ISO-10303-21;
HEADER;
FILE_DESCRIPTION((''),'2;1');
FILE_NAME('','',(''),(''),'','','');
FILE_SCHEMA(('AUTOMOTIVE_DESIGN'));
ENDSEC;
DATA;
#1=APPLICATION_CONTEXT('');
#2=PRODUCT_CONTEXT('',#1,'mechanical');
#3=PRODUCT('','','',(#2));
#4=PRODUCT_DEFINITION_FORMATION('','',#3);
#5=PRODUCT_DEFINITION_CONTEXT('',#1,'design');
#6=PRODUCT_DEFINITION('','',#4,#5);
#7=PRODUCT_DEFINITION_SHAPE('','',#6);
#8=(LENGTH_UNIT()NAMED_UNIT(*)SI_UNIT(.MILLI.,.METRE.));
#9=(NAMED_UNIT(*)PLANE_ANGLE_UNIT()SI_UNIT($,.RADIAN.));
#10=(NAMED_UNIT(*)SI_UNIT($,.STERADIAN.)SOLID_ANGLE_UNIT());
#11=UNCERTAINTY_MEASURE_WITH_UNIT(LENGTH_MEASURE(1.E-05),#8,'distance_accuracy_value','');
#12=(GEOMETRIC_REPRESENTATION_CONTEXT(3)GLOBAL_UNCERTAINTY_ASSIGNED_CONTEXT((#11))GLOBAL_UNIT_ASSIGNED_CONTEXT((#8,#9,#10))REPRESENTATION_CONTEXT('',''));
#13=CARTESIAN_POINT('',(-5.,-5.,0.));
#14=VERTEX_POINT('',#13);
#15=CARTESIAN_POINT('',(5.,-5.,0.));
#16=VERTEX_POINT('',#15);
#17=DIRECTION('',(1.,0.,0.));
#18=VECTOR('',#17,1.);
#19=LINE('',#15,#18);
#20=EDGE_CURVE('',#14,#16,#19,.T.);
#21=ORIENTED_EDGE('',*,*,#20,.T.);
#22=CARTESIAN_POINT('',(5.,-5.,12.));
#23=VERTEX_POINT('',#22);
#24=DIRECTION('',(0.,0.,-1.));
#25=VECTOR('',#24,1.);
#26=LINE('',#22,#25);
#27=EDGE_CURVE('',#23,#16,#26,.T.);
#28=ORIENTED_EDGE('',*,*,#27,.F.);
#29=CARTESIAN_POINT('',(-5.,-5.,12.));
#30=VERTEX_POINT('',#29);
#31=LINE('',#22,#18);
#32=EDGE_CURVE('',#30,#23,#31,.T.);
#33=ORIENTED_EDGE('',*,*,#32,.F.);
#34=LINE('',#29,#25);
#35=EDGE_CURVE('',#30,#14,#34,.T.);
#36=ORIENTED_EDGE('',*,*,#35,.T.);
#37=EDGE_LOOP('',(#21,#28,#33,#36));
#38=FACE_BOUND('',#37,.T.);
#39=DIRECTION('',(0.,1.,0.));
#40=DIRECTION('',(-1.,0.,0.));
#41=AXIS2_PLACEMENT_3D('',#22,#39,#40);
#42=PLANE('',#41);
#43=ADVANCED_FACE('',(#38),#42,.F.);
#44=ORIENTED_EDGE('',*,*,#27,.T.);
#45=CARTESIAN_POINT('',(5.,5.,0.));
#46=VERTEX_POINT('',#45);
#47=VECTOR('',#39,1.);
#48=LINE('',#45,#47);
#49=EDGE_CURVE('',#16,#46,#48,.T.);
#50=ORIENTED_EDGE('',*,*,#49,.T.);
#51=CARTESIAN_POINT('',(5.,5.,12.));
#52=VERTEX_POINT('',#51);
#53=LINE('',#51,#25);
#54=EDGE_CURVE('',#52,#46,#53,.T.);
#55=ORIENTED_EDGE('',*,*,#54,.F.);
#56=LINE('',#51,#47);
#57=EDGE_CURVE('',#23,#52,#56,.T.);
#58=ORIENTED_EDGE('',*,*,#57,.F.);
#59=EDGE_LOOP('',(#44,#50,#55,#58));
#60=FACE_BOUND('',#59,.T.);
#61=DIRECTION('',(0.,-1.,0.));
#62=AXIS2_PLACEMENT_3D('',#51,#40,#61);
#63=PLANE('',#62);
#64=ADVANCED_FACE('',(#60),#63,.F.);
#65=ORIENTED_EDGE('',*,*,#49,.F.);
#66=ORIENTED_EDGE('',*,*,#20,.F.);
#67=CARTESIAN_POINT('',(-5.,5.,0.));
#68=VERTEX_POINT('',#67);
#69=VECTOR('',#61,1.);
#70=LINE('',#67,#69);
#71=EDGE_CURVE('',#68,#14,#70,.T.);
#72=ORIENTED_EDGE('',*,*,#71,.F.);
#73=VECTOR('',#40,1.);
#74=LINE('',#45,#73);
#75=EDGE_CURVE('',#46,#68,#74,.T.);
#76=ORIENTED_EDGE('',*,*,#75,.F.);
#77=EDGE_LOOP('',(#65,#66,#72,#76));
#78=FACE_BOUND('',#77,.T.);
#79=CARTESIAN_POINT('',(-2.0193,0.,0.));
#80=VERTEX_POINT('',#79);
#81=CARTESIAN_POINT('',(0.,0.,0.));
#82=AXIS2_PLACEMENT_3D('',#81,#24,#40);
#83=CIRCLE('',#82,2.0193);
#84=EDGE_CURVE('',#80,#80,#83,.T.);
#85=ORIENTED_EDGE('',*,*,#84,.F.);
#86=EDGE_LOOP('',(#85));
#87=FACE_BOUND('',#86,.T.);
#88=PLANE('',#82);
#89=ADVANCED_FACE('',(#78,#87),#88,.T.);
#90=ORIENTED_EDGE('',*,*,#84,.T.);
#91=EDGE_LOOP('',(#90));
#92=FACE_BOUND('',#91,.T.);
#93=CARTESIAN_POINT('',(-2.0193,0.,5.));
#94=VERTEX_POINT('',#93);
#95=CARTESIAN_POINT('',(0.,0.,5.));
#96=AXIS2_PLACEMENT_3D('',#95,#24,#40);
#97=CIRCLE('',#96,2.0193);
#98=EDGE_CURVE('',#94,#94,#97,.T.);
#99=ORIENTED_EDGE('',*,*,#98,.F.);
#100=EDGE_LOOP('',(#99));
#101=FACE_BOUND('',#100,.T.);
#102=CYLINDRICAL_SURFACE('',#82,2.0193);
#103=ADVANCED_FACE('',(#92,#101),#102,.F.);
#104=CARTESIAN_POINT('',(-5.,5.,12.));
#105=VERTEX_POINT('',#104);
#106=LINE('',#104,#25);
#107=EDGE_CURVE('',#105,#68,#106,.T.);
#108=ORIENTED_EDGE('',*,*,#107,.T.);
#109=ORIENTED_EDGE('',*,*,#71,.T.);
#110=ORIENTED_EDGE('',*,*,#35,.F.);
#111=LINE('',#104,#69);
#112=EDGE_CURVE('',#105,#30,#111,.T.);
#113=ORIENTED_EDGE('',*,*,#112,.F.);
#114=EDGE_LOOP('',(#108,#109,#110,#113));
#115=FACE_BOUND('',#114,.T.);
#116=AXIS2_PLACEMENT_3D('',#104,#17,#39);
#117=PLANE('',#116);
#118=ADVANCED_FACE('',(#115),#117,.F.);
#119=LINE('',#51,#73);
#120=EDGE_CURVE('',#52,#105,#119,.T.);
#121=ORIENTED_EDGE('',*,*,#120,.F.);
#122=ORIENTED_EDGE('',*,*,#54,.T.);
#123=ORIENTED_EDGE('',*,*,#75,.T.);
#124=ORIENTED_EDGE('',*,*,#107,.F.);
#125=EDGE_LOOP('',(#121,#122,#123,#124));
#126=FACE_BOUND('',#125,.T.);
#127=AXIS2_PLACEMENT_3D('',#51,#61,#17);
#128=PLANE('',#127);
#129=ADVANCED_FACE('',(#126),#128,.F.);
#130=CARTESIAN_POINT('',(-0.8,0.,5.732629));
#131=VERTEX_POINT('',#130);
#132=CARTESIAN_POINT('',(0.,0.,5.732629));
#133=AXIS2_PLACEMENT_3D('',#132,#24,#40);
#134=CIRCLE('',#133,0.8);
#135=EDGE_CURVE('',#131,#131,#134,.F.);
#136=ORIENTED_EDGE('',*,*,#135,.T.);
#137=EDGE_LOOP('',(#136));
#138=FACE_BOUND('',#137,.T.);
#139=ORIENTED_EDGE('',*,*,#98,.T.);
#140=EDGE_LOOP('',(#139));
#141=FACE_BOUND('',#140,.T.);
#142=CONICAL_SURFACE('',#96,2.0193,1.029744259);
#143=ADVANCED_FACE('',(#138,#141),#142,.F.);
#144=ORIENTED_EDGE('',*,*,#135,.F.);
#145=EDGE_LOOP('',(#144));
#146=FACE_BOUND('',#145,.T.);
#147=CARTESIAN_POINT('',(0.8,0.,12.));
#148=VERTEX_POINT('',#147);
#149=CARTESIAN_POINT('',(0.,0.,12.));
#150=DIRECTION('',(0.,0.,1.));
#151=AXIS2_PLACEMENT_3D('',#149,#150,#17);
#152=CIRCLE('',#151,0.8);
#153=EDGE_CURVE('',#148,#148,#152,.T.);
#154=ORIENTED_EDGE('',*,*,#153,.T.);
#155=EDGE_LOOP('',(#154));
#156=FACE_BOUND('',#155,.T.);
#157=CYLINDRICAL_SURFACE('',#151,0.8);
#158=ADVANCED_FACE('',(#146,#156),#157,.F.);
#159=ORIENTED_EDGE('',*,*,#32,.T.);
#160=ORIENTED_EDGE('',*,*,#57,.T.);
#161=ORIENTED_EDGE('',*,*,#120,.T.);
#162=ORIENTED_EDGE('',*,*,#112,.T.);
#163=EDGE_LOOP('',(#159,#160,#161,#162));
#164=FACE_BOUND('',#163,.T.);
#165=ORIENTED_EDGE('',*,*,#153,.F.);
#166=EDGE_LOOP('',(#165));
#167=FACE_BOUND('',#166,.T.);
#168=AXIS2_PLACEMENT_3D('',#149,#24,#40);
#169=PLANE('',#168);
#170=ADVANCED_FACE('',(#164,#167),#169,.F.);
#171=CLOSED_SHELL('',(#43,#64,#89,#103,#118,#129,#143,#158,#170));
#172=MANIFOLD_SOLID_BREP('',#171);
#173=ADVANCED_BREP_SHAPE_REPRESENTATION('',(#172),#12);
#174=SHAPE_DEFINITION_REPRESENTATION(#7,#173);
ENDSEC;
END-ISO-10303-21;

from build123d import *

# Parameters (mm, degrees)
SKETCH1_W                  = 10
SKETCH1_H                  = 10
BOSS_EXTRUDE1_DEPTH        = 12
F_10_32_TAPPED_HOLE1_D     = 4.0386
F_10_32_TAPPED_HOLE1_DEPTH = 5
F_10_32_TAPPED_HOLE1_TIP   = 1.213317848
M2X0_4_TAPPED_HOLE1_D      = 1.6
M2X0_4_TAPPED_HOLE1_DEPTH  = 7
M2X0_4_TAPPED_HOLE1_TIP    = 0.480688495


with BuildPart() as part:
    # Sketch1 → Boss-Extrude1 (new body)
    with BuildSketch(Plane.XY):
        Rectangle(SKETCH1_W, SKETCH1_H)
    extrude(amount=BOSS_EXTRUDE1_DEPTH)

    # #10-32 Tapped Hole1
    with Locations(Plane(origin=(0, 0, 0), x_dir=(1, 0, 0), z_dir=(0, 0, -1))):
        with Locations((0, 0)):
            Hole(F_10_32_TAPPED_HOLE1_D / 2, depth=F_10_32_TAPPED_HOLE1_DEPTH)
            with Locations((0, 0, -(F_10_32_TAPPED_HOLE1_DEPTH + F_10_32_TAPPED_HOLE1_TIP / 2))):  # 118° drill point
                Cone(0, F_10_32_TAPPED_HOLE1_D / 2, F_10_32_TAPPED_HOLE1_TIP, mode=Mode.SUBTRACT)

    # M2x0.4 Tapped Hole1
    with Locations(Plane.XY.offset(12)):
        with Locations((0, 0)):
            Hole(M2X0_4_TAPPED_HOLE1_D / 2, depth=M2X0_4_TAPPED_HOLE1_DEPTH)
            with Locations((0, 0, -(M2X0_4_TAPPED_HOLE1_DEPTH + M2X0_4_TAPPED_HOLE1_TIP / 2))):  # 118° drill point
                Cone(0, M2X0_4_TAPPED_HOLE1_D / 2, M2X0_4_TAPPED_HOLE1_TIP, mode=Mode.SUBTRACT)


solid = part.part
